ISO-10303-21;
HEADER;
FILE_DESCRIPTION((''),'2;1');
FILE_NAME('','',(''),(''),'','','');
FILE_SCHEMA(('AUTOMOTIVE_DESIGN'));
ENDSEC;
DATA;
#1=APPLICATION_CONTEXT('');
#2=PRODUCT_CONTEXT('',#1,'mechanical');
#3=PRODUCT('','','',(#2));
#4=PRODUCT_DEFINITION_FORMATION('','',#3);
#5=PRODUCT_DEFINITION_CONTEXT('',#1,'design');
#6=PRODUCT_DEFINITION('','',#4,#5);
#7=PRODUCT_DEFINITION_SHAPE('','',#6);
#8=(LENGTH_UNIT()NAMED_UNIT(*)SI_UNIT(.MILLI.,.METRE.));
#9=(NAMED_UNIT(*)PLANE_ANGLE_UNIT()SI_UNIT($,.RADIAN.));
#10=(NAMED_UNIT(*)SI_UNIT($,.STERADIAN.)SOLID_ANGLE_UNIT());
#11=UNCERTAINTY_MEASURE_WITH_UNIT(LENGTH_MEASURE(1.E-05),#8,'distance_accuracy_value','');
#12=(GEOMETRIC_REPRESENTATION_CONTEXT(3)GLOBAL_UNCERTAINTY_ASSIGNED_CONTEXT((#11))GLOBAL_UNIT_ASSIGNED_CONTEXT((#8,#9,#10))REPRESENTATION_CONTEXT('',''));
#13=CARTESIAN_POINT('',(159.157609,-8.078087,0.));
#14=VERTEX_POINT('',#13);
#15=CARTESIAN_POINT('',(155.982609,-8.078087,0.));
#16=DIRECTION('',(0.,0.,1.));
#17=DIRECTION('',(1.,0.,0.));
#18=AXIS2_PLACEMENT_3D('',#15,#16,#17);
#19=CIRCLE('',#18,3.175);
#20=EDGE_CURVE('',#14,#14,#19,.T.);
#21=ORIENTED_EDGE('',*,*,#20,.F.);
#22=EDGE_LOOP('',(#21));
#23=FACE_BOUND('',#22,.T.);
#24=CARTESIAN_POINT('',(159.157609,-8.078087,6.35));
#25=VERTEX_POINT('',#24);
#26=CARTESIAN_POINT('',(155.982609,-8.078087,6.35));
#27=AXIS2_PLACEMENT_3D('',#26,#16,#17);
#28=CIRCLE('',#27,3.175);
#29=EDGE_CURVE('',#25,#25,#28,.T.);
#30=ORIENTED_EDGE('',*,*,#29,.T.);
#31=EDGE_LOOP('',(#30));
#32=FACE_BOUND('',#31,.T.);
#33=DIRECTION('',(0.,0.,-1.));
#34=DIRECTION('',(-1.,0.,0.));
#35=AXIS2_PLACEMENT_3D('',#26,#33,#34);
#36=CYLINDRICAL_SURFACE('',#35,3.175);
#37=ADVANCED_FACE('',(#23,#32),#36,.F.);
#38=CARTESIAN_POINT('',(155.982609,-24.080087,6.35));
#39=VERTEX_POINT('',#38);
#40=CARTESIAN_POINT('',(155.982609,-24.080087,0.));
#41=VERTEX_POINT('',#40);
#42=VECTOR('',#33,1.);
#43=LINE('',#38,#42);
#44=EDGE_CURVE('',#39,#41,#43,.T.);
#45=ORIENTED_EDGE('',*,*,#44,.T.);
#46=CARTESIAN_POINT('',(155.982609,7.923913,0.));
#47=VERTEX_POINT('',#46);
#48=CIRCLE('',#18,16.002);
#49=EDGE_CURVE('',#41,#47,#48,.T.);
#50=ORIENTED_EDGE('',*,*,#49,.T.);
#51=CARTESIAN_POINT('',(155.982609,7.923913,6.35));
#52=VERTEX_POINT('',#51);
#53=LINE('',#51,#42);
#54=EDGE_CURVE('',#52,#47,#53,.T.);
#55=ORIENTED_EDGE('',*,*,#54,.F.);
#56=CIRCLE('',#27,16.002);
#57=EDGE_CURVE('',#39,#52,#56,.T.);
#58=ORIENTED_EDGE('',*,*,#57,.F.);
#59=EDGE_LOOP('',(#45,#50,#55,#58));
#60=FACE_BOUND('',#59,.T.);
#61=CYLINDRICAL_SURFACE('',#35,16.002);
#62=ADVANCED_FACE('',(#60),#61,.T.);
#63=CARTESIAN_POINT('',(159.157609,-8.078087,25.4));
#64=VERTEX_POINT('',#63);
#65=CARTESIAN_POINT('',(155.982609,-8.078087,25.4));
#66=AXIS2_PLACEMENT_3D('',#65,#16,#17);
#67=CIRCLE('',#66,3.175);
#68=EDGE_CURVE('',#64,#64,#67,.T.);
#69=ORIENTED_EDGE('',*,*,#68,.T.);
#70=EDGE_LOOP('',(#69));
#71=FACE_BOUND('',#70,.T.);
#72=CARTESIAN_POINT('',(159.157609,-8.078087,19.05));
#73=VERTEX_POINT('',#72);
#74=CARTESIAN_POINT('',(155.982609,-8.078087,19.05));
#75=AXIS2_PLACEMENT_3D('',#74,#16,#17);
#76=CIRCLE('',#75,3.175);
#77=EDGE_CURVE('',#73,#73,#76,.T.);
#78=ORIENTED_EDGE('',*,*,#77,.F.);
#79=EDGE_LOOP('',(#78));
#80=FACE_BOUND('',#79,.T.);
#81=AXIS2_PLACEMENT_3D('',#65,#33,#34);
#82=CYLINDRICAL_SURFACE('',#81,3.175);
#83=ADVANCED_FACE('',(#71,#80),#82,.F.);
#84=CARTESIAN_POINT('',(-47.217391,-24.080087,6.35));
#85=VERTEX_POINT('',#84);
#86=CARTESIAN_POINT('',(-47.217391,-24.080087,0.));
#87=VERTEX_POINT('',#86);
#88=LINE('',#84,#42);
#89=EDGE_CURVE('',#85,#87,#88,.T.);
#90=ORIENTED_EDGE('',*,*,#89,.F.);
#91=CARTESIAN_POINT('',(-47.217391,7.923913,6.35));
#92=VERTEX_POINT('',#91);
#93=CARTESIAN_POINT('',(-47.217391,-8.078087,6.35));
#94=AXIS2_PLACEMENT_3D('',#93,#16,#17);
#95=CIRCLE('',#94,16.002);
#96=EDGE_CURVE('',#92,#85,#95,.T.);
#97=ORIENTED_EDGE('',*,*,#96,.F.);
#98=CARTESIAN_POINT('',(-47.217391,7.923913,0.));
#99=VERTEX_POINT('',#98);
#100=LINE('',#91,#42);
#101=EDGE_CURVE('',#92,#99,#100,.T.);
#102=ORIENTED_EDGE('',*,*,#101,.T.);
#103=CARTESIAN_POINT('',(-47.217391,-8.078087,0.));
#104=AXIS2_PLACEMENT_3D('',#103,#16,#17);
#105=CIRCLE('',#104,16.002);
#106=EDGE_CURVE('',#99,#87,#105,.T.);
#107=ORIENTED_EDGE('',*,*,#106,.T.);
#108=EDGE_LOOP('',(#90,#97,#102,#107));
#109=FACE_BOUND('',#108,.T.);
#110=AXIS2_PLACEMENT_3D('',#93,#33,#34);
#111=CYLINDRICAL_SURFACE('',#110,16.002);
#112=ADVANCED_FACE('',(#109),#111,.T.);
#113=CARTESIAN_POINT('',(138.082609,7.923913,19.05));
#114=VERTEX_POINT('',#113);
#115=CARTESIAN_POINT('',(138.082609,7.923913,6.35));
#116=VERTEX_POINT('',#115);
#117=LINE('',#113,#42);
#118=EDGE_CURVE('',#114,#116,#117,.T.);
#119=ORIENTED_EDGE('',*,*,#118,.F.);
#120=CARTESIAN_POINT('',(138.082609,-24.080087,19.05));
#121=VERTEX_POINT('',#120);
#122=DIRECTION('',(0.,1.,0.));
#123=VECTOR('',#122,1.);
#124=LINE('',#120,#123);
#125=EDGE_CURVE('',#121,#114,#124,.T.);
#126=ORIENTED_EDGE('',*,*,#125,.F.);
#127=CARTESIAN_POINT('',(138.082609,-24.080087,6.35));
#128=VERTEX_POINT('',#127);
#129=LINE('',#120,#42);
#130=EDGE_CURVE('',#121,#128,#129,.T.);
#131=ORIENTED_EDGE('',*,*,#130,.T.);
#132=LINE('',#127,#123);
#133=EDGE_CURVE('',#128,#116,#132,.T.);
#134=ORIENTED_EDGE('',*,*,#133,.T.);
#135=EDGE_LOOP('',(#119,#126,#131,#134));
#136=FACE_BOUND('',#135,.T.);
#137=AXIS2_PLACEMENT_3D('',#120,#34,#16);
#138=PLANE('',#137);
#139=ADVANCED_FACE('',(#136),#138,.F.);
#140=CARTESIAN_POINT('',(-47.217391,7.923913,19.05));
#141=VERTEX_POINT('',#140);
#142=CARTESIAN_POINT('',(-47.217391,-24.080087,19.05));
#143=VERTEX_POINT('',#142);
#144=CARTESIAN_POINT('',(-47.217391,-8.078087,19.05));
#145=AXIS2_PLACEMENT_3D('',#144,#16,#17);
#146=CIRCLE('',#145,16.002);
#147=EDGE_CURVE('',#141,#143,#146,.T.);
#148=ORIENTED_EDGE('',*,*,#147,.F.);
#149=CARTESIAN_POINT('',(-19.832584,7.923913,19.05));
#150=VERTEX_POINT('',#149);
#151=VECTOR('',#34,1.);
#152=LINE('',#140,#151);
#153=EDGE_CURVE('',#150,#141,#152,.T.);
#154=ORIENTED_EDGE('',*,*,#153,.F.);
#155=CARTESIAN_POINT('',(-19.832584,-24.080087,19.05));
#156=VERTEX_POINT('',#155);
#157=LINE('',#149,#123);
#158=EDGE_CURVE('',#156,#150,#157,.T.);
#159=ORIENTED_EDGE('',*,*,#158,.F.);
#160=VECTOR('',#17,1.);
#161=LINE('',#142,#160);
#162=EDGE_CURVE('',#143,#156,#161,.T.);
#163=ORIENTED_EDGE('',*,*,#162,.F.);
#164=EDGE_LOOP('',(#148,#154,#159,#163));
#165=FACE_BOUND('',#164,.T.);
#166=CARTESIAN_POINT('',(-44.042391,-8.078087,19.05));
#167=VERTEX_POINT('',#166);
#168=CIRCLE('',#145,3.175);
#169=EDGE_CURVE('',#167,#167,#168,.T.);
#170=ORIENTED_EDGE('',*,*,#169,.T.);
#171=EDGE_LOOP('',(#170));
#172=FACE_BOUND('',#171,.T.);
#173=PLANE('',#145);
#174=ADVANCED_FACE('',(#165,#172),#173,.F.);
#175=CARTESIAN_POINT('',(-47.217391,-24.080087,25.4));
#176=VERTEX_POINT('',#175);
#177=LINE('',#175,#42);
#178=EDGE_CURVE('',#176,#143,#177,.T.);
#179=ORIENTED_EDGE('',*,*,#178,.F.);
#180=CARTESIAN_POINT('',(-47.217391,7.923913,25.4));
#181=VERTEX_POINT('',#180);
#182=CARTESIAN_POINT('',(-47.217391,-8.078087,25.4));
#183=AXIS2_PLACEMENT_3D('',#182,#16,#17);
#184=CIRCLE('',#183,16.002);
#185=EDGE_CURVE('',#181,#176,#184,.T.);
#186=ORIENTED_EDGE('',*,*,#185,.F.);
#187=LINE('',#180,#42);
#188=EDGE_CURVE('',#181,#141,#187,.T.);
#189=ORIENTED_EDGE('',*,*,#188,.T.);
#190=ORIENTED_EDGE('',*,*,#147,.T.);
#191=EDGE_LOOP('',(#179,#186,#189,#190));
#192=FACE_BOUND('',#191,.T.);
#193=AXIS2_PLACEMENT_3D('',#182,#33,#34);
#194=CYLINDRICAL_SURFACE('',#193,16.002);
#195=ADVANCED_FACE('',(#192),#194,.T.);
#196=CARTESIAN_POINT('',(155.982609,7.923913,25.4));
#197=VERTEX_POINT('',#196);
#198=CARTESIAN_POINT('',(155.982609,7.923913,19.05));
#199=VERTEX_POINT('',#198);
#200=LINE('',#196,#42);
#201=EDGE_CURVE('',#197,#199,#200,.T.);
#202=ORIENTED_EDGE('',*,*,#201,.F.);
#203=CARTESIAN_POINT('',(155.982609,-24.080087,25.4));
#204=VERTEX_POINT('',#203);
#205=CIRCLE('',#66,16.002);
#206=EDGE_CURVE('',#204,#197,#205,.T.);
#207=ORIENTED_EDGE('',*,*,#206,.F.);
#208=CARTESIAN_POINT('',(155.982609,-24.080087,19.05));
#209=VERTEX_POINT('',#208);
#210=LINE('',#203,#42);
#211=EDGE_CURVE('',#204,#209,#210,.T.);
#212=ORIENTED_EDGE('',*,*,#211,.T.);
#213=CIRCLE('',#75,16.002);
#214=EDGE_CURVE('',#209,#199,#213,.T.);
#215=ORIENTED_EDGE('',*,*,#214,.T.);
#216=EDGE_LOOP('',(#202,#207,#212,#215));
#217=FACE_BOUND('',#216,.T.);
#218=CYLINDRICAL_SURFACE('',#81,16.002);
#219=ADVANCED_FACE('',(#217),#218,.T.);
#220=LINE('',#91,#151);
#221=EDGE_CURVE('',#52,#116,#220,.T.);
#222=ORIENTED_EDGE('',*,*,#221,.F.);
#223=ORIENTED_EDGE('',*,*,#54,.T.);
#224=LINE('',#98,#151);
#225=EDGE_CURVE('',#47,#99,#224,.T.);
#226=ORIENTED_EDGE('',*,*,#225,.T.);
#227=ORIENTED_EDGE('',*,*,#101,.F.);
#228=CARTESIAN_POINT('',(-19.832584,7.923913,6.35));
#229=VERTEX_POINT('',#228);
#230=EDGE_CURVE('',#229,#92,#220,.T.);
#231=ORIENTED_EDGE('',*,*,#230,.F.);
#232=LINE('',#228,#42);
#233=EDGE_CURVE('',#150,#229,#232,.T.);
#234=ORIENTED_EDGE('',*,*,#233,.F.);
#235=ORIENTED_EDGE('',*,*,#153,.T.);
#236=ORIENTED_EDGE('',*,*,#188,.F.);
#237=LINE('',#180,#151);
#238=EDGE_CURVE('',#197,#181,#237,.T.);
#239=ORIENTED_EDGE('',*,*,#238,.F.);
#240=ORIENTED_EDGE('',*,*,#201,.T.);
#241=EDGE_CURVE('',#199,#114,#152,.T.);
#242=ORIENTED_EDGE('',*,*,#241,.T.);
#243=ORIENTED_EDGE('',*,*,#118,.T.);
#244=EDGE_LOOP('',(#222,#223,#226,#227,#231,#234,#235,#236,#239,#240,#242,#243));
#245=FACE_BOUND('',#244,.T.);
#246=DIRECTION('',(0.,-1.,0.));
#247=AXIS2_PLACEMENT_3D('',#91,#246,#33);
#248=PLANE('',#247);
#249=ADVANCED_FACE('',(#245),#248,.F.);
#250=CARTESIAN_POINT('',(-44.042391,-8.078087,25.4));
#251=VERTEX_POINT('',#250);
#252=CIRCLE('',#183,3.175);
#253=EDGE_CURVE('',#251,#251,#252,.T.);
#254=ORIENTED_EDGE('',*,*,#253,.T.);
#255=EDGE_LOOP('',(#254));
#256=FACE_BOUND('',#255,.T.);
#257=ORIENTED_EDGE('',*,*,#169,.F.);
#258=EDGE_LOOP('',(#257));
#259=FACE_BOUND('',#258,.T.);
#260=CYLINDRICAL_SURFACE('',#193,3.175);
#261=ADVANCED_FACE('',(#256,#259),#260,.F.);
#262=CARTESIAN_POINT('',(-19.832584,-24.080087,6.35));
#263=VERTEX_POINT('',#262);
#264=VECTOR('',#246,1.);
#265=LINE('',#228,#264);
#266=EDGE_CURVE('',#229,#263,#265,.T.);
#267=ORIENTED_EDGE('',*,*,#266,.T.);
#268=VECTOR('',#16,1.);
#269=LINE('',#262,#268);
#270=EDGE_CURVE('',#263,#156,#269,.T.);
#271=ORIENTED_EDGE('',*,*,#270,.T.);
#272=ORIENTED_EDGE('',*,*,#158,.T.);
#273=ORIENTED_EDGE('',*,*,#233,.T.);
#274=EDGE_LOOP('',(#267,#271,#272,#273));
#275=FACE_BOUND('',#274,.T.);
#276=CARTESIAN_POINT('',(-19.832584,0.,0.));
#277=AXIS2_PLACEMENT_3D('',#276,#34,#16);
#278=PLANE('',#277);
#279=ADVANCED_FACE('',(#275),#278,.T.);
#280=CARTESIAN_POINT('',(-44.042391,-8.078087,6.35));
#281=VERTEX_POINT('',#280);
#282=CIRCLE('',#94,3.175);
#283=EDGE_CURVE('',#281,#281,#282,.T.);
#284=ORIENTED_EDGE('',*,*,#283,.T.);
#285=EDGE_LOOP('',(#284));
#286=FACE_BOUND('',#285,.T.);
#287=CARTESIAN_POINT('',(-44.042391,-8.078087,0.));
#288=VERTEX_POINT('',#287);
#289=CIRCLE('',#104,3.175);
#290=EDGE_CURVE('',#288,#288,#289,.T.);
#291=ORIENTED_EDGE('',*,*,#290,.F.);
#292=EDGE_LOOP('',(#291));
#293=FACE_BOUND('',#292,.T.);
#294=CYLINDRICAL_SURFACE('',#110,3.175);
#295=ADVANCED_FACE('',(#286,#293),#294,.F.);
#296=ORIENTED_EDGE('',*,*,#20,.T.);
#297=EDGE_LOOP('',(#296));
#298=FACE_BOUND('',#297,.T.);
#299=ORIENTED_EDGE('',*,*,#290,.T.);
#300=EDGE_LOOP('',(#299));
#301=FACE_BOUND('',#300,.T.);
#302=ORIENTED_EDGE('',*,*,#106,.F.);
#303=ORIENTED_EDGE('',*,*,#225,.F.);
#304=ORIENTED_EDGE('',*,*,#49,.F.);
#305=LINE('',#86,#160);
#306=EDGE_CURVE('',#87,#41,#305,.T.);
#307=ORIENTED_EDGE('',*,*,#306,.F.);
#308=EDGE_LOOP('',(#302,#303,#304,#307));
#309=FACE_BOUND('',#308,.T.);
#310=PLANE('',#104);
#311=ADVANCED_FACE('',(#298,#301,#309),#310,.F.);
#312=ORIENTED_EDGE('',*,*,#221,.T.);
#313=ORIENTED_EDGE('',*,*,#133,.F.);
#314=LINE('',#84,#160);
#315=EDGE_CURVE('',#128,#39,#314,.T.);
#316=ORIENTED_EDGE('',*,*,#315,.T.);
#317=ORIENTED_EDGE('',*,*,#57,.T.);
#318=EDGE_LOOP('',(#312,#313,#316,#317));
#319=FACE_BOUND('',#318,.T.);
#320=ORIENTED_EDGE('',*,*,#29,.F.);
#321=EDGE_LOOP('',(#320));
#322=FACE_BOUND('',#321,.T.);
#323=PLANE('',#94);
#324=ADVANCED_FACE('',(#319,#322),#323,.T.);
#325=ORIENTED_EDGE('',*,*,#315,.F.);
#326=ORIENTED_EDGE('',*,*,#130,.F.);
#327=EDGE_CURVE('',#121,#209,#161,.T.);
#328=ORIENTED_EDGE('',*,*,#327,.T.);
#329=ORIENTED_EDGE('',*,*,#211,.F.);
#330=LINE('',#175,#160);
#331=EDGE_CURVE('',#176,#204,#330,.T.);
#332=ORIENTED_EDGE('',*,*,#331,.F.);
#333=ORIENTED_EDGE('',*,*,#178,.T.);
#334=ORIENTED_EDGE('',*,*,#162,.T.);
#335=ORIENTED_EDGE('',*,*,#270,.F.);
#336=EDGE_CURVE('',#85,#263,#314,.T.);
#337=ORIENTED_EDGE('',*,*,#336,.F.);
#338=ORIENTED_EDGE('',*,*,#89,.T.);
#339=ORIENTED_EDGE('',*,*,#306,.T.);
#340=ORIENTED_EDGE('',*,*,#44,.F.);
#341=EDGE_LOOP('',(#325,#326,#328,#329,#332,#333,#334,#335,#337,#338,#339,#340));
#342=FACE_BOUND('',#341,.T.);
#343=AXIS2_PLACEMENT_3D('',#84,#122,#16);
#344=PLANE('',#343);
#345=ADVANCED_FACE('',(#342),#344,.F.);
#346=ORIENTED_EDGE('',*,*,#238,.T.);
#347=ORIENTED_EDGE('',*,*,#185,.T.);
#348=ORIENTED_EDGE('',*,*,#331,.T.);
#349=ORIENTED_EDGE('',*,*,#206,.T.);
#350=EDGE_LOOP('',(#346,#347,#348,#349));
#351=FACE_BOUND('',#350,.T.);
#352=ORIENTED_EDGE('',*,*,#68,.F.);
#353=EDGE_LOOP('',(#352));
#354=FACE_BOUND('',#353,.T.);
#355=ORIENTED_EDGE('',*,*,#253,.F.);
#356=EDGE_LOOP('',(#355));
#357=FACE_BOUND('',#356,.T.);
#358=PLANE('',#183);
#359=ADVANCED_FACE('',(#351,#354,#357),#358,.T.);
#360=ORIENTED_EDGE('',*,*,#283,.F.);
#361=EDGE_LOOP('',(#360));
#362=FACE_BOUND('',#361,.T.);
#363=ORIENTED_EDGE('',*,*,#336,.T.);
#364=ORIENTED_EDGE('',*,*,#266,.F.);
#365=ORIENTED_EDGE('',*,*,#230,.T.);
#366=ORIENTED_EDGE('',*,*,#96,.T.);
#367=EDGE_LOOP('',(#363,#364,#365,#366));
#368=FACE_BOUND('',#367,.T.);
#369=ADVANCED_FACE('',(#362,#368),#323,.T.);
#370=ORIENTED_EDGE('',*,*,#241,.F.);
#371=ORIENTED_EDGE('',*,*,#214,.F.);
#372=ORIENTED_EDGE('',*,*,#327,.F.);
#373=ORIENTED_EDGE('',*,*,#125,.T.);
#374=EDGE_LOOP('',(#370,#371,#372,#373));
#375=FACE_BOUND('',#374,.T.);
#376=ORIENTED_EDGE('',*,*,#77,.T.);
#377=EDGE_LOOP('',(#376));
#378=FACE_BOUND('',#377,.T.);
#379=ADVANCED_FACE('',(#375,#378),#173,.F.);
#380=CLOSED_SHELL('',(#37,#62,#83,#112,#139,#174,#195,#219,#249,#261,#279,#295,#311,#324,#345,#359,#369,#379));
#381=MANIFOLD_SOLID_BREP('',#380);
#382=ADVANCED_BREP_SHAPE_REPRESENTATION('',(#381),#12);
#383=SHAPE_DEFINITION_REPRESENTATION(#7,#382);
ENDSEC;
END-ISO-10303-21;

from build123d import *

# Parameters (mm, degrees)
SKETCH1_R           = 3.175
BOSS_EXTRUDE1_DEPTH = 6.35
SKETCH2_W           = 168.075192403
SKETCH2_H           = 32.004
BOSS_EXTRUDE2_DEPTH = 12.7
SKETCH5_R           = 3.175
BOSS_EXTRUDE3_DEPTH = 6.35
SKETCH7_W           = 12.7
SKETCH7_H           = 32.004
CUT_EXTRUDE1_DEPTH  = 10.16


with BuildPart() as part:
    # Sketch1 → Boss-Extrude1 (new body)
    with BuildSketch(Plane.XY):
        with BuildLine():
            Line((-47.217391304, 7.923913043), (155.982608696, 7.923913043))
            ThreePointArc((155.982608696, 7.923913043), (171.984608696, -8.078086957), (155.982608696, -24.080086957))
            Line((155.982608696, -24.080086957), (-47.217391304, -24.080086957))
            ThreePointArc((-47.217391304, -24.080086957), (-63.219391304, -8.078086957), (-47.217391304, 7.923913043))
        make_face()
        with Locations((-47.217391304, -8.078086957)):
            Circle(SKETCH1_R, mode=Mode.SUBTRACT)
        with Locations((155.982608696, -8.078086957)):
            Circle(SKETCH1_R, mode=Mode.SUBTRACT)
    extrude(amount=BOSS_EXTRUDE1_DEPTH)

    # Sketch2 → Boss-Extrude2 (add)
    with BuildSketch(Plane.XY.offset(6.35)):
        with Locations((54.045012495, -8.078086957)):
            Rectangle(SKETCH2_W, SKETCH2_H)
    extrude(amount=BOSS_EXTRUDE2_DEPTH)

    # Sketch5 → Boss-Extrude3 (add)
    with BuildSketch(Plane.XY.offset(19.05)):
        with BuildLine():
            Line((-47.217391304, 7.923913043), (155.982608696, 7.923913043))
            ThreePointArc((155.982608696, 7.923913043), (171.984608696, -8.078086957), (155.982608696, -24.080086957))
            Line((155.982608696, -24.080086957), (-47.217391304, -24.080086957))
            ThreePointArc((-47.217391304, -24.080086957), (-63.219391304, -8.078086957), (-47.217391304, 7.923913043))
        make_face()
        with Locations((-47.217391304, -8.078086957)):
            Circle(SKETCH5_R, mode=Mode.SUBTRACT)
        with Locations((155.982608696, -8.078086957)):
            Circle(SKETCH5_R, mode=Mode.SUBTRACT)
    extrude(amount=BOSS_EXTRUDE3_DEPTH)

    # Sketch7 → Cut-Extrude1 (cut)
    with BuildSketch(Plane.ZY.offset(29.992583707)):
        with Locations((12.7, -8.078086957)):
            Rectangle(SKETCH7_W, SKETCH7_H)
    extrude(amount=-CUT_EXTRUDE1_DEPTH, mode=Mode.SUBTRACT)


solid = part.part
